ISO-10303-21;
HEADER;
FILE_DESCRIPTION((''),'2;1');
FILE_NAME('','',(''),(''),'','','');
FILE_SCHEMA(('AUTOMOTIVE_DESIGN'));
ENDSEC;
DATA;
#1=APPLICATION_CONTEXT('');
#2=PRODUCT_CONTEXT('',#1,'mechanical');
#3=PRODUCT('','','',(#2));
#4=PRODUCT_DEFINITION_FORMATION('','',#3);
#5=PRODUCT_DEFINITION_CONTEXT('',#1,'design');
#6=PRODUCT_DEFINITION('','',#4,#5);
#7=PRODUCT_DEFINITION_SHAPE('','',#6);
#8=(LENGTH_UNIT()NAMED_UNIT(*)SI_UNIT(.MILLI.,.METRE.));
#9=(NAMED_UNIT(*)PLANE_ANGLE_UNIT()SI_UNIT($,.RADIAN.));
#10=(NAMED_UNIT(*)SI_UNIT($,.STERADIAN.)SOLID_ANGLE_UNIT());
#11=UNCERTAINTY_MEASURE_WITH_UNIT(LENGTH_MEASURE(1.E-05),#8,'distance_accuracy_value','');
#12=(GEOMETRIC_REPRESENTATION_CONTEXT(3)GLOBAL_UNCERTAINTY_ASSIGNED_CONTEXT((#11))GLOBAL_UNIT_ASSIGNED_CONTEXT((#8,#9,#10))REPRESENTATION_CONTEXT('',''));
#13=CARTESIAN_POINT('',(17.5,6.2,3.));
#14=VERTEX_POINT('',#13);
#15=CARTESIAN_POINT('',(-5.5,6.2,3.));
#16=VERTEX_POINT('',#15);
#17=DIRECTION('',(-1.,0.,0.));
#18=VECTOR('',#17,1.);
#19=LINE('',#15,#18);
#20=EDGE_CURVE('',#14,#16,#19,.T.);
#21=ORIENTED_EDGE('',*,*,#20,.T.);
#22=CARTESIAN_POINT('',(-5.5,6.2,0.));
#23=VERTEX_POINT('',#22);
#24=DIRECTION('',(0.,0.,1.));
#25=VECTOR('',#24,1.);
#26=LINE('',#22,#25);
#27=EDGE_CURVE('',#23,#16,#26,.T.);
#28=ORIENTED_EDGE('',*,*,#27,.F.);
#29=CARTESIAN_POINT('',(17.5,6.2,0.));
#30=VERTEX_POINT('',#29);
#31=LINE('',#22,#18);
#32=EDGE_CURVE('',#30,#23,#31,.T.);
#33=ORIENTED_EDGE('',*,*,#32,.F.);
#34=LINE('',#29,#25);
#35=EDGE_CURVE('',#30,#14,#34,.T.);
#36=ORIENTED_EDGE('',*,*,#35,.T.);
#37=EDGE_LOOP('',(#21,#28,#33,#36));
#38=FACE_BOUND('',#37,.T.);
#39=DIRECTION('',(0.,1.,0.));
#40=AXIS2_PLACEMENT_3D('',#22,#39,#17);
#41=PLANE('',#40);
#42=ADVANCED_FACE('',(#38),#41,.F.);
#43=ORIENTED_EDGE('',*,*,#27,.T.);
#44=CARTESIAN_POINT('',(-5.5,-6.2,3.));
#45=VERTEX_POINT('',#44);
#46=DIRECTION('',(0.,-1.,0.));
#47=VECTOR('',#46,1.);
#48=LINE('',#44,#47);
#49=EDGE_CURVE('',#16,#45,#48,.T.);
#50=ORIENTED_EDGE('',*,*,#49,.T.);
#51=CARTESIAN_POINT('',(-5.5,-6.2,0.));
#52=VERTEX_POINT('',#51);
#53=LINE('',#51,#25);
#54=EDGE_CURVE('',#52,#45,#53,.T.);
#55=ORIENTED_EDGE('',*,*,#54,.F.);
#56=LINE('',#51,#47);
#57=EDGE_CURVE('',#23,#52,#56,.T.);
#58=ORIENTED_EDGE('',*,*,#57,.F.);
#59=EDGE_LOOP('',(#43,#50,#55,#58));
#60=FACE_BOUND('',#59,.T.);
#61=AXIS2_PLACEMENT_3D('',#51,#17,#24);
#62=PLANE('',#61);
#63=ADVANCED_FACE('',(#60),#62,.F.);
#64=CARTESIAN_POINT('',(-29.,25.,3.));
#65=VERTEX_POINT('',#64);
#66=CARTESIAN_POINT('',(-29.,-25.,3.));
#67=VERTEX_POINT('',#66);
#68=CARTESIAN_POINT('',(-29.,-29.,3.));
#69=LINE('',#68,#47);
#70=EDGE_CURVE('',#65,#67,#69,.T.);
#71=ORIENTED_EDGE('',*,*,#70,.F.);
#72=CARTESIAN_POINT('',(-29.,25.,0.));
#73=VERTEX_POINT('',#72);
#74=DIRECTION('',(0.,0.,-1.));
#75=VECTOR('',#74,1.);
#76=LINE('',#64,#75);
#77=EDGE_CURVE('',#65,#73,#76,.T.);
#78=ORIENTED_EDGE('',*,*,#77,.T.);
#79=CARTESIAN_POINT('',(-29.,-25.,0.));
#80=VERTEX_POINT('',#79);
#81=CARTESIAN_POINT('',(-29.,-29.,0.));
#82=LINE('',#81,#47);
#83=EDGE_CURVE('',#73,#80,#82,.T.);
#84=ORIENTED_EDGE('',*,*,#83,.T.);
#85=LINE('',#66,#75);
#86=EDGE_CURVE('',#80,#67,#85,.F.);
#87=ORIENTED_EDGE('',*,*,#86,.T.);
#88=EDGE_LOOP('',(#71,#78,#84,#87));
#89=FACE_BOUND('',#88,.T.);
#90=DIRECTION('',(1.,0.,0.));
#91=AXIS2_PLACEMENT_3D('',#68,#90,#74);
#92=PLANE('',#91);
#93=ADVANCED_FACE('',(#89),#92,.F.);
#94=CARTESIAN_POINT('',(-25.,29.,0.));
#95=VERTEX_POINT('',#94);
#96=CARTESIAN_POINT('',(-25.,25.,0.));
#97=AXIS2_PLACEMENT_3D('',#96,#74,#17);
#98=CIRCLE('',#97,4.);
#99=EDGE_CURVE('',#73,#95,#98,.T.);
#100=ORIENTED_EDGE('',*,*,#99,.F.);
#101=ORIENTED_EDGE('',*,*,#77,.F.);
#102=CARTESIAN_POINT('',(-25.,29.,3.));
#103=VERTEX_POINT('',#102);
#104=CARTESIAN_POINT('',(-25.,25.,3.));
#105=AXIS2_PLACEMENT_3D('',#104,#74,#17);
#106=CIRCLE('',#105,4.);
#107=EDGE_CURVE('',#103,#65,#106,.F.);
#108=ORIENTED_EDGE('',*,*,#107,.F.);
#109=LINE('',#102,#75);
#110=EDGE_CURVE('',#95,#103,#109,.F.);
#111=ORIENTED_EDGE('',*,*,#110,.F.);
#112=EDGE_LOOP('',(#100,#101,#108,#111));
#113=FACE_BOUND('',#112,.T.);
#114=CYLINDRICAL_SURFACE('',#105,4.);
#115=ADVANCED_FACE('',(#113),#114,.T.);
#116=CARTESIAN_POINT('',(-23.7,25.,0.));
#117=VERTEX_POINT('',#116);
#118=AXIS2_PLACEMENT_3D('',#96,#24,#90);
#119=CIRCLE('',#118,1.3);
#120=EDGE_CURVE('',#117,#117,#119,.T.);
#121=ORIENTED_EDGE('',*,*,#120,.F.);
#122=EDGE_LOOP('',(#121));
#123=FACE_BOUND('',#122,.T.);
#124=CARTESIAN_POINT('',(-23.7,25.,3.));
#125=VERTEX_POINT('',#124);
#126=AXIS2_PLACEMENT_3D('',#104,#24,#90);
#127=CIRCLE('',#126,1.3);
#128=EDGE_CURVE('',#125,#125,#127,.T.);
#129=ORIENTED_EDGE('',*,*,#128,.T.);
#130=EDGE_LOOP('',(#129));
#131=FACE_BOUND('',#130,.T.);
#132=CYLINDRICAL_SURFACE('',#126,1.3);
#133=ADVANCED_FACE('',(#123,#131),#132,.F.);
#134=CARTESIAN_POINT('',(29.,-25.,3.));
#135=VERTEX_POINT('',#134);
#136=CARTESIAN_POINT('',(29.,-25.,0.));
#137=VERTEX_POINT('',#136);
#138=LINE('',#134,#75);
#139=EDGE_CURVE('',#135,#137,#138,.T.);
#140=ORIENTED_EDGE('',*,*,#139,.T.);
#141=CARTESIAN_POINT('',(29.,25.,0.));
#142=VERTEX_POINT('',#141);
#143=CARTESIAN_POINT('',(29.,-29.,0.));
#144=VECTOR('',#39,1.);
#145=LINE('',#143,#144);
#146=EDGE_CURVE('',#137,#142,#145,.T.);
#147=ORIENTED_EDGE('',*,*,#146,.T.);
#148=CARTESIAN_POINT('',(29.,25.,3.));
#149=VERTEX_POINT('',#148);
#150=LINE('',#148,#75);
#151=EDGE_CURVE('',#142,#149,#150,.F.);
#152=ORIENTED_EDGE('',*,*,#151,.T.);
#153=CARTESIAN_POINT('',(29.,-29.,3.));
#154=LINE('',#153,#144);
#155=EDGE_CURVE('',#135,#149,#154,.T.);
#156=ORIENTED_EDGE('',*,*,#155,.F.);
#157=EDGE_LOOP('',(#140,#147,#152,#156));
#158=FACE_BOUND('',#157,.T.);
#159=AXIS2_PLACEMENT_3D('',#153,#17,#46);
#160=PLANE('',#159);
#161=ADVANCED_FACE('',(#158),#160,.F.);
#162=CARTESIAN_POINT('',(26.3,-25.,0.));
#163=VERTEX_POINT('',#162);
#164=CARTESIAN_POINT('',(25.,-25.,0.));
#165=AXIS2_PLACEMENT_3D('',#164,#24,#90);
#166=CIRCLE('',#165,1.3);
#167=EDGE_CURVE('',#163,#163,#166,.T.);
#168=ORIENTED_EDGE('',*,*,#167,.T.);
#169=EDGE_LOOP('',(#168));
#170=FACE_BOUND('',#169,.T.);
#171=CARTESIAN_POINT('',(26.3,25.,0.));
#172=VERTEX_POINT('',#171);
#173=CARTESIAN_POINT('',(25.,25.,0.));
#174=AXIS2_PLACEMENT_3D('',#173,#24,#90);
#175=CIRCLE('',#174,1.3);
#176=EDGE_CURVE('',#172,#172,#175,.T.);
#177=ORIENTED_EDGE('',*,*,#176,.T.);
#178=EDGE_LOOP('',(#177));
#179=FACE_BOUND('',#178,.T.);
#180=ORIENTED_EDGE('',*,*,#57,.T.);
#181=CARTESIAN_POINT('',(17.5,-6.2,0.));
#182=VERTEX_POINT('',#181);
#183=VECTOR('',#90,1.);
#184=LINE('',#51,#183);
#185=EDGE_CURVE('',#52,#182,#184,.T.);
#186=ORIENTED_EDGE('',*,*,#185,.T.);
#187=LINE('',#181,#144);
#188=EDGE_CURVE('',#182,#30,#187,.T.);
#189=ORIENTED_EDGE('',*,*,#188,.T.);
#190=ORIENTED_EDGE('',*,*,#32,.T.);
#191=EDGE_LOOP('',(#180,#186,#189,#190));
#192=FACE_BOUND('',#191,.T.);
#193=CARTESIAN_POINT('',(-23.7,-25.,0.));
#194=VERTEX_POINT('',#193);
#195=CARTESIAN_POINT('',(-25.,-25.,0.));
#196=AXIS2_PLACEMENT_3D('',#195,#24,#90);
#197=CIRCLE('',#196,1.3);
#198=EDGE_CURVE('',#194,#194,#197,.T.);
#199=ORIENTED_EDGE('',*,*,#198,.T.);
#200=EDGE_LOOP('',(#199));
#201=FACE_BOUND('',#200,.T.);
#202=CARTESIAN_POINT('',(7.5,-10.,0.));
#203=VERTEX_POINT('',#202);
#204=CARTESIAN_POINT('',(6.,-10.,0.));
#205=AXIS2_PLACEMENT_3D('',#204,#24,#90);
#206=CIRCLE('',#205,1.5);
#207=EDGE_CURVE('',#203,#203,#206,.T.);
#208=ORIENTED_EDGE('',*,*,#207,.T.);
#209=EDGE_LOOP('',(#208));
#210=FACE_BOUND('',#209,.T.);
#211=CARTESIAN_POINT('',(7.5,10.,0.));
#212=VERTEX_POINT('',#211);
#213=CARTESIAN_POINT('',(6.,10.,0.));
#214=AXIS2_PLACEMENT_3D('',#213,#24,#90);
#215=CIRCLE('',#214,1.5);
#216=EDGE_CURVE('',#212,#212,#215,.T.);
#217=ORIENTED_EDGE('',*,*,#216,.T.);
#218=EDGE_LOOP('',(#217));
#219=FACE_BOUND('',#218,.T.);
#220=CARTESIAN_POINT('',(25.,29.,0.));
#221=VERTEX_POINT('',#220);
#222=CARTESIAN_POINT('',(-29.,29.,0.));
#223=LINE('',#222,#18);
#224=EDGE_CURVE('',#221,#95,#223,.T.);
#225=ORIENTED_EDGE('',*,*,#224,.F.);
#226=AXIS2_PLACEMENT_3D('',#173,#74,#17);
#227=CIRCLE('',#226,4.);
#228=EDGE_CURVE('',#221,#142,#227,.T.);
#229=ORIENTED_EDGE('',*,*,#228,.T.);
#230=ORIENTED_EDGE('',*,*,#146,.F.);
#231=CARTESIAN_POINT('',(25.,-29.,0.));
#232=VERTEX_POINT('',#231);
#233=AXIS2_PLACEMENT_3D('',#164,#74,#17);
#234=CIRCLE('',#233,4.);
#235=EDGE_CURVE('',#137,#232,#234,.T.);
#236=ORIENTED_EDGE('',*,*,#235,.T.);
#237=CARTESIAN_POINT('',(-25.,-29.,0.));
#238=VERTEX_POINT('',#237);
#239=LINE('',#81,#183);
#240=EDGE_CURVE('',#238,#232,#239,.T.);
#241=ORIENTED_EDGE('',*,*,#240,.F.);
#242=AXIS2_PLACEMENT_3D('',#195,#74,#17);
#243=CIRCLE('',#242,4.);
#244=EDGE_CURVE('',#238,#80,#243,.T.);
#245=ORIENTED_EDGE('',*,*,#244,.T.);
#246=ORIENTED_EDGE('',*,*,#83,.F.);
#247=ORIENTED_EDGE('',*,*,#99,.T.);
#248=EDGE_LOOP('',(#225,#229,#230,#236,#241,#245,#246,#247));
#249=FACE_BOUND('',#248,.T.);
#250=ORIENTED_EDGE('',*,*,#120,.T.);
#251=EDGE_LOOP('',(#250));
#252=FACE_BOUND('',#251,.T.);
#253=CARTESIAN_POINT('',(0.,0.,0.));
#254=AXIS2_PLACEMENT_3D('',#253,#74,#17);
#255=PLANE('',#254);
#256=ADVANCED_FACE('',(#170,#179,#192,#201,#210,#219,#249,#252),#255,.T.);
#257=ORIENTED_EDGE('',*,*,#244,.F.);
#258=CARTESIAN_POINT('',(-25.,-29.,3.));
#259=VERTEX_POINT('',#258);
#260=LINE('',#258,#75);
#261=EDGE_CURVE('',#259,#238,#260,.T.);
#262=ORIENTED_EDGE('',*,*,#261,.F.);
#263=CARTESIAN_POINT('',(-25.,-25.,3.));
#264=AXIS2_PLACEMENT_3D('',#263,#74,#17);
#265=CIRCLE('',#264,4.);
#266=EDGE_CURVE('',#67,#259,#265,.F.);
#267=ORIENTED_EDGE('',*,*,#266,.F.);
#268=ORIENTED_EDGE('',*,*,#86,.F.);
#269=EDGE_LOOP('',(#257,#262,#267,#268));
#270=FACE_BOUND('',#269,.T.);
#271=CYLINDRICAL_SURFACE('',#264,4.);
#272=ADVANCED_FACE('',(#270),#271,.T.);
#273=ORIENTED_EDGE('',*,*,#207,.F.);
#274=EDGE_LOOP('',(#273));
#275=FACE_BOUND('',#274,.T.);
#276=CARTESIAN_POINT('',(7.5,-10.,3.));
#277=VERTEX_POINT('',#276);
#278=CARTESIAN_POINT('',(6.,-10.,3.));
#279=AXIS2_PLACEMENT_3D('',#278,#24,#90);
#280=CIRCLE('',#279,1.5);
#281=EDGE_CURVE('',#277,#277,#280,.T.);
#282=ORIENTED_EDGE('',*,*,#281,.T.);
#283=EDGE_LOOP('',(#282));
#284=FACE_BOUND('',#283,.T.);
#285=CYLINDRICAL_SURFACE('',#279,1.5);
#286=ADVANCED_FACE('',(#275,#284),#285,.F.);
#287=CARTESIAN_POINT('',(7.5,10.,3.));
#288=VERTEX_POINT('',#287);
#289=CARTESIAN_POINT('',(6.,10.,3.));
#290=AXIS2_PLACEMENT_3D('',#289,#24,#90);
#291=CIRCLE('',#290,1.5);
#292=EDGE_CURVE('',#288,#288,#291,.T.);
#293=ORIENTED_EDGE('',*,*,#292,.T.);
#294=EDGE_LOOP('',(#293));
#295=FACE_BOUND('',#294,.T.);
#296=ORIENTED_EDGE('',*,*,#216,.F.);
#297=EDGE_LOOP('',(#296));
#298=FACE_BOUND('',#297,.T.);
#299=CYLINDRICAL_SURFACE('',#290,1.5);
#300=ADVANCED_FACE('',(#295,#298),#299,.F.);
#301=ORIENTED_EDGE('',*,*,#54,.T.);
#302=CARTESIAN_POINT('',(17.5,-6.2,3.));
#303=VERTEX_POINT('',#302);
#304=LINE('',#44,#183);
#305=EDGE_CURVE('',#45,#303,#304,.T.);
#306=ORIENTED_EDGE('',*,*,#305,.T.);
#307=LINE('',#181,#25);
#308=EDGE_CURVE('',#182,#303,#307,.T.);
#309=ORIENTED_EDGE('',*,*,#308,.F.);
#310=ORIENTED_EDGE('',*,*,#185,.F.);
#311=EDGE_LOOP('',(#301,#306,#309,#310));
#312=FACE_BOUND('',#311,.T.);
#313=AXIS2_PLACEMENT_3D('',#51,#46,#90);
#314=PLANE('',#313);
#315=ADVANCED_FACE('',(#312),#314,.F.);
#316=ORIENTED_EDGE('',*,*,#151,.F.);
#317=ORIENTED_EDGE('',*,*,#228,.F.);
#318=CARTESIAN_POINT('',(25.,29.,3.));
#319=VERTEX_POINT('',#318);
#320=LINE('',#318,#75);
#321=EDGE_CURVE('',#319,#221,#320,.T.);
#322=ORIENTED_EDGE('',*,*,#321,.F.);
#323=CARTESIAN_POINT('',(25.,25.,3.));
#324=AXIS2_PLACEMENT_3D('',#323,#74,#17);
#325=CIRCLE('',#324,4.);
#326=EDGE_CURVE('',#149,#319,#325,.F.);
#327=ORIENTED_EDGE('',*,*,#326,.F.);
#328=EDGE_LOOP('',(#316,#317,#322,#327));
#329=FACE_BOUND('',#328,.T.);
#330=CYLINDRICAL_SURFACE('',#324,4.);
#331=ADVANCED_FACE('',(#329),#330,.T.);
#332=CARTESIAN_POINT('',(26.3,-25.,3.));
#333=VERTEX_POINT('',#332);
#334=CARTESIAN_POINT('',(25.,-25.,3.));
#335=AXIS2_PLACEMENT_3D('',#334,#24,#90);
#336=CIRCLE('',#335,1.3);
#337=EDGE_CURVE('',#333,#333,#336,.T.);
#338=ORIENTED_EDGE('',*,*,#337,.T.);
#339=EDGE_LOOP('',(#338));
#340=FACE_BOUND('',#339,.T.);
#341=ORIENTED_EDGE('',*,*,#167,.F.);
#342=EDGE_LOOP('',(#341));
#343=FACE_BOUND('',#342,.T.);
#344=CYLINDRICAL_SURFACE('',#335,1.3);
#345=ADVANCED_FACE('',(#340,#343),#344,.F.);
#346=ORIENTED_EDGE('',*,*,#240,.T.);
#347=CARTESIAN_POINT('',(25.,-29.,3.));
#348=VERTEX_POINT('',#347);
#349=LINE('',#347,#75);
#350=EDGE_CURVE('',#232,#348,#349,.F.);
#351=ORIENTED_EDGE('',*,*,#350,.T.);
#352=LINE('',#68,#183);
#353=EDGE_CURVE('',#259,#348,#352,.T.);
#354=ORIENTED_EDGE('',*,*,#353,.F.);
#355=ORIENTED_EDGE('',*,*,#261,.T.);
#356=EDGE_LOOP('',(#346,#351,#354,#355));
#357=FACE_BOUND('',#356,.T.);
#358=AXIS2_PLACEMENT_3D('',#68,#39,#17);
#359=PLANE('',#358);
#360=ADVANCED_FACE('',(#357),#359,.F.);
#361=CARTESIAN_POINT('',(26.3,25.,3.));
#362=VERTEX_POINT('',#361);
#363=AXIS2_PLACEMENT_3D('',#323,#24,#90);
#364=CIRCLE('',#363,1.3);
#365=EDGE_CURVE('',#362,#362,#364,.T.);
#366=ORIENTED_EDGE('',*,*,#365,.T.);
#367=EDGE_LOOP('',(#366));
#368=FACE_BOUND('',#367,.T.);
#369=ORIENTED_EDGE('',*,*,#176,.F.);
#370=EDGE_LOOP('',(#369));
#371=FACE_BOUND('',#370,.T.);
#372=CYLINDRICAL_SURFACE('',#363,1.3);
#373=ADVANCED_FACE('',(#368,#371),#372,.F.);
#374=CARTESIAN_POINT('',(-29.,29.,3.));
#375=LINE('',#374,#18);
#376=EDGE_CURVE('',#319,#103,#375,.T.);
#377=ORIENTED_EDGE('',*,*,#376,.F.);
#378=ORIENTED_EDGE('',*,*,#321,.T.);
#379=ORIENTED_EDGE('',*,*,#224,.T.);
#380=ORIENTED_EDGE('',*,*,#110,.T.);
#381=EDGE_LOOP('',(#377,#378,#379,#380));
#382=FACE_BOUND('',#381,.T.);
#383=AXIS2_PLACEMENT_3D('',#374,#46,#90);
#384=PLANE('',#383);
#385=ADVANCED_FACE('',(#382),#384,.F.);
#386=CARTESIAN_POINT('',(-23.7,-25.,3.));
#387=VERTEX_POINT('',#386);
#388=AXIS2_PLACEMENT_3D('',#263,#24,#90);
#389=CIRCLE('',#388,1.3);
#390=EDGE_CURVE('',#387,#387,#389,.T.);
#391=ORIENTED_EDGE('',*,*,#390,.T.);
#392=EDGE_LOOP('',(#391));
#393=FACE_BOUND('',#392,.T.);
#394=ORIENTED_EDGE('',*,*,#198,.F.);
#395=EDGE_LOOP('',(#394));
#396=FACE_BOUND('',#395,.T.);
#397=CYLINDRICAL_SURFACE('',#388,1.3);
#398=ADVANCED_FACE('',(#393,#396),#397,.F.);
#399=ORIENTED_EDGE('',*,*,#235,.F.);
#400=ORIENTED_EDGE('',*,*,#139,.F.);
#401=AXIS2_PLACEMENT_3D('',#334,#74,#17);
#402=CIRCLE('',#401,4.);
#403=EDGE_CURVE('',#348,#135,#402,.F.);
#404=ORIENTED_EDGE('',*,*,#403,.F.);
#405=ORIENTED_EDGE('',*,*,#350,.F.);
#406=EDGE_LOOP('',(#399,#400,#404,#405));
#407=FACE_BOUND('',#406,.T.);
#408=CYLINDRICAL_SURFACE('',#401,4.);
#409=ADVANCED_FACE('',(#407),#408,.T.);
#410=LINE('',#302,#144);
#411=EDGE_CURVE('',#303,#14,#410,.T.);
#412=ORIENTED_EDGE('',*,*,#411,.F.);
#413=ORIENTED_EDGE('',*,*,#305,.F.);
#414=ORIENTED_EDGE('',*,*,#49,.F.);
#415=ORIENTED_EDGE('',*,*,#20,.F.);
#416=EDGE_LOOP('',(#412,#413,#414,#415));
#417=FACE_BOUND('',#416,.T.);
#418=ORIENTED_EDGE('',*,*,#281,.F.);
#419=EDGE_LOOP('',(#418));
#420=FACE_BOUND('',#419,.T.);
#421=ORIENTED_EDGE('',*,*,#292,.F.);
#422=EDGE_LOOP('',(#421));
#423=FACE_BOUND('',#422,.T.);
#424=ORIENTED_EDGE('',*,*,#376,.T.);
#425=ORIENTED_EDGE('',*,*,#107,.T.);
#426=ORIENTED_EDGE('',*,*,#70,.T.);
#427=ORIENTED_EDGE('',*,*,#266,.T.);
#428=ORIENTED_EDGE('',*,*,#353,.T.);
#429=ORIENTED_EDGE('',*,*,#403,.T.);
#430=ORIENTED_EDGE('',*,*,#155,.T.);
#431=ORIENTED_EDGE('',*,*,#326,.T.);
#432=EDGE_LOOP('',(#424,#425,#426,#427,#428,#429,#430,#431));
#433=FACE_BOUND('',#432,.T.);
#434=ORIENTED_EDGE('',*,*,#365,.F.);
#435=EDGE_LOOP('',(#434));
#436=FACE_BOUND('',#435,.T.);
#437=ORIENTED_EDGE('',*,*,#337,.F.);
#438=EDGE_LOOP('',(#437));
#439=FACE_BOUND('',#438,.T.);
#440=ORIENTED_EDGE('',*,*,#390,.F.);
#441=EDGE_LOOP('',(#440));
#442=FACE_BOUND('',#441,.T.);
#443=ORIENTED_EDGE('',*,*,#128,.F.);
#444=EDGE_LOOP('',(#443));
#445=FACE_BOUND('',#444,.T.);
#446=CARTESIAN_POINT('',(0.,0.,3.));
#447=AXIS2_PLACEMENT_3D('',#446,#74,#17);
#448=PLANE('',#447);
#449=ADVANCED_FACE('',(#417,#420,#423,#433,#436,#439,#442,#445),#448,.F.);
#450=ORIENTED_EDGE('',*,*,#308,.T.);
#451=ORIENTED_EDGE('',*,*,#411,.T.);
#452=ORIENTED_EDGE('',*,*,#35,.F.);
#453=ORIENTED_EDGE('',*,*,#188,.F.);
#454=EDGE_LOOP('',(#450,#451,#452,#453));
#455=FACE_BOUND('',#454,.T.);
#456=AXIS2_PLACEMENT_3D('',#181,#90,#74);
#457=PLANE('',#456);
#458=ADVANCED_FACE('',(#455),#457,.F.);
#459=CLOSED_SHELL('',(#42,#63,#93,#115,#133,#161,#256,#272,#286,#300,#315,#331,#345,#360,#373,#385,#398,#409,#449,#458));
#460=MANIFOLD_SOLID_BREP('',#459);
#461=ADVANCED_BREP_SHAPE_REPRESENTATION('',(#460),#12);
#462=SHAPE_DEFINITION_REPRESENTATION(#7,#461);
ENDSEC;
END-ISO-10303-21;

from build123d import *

# Parameters (mm, degrees)
ESBO_O1_W                    = 58
ESBO_O1_H                    = 58
RESSALTO_EXTRUS_O1_DEPTH     = 3
FURO_DE_DI_METRO_2_6_2_6_1_D = 2.6
PERFIL_CORTE_W               = 23
PERFIL_CORTE_H               = 12.4
CORTE_PRINCIPAL_DEPTH        = 85.236965894
FURO_DE_DI_METRO_3_0_3_1_D   = 3
FILETE1_R                    = 4


with BuildPart() as part:
    # Esboço1 → Ressalto-extrusão1 (new body)
    with BuildSketch(Plane.XY):
        Rectangle(ESBO_O1_W, ESBO_O1_H)
    extrude(amount=RESSALTO_EXTRUS_O1_DEPTH)

    # Furo de diâmetro Ø2.6 (2.6)1 (through all)
    with Locations(Plane.XY.offset(3)):
        with Locations((-25, 25), (25, 25), (25, -25), (-25, -25)):
            Hole(FURO_DE_DI_METRO_2_6_2_6_1_D / 2)

    # Perfil Corte → Corte Principal (cut, through all)
    with BuildSketch(Plane(origin=(-34.608741594, -26.143398661, 3), x_dir=(1, 0, 0), z_dir=(0, 0, 1))):
        with Locations((40.608741594, 26.143398661)):
            Rectangle(PERFIL_CORTE_W, PERFIL_CORTE_H)
    extrude(amount=-CORTE_PRINCIPAL_DEPTH, mode=Mode.SUBTRACT)

    # Furo de diâmetro Ø3.0 (3)1 (through all)
    with Locations(Plane(origin=(-55.097814602, -24.42830067, 3), x_dir=(1, 0, 0), z_dir=(0, 0, 1))):
        with Locations((61.097814602, 34.42830067), (61.097814602, 14.42830067)):
            Hole(FURO_DE_DI_METRO_3_0_3_1_D / 2)

    # Filete1
    filete1_edges = [part.edges().sort_by_distance(p)[0] for p in [
        (29, -29, 1.5),
        (-29, -29, 1.5),
        (-29, 29, 1.5),
        (29, 29, 1.5),
    ]]
    fillet(filete1_edges, radius=FILETE1_R)


solid = part.part
